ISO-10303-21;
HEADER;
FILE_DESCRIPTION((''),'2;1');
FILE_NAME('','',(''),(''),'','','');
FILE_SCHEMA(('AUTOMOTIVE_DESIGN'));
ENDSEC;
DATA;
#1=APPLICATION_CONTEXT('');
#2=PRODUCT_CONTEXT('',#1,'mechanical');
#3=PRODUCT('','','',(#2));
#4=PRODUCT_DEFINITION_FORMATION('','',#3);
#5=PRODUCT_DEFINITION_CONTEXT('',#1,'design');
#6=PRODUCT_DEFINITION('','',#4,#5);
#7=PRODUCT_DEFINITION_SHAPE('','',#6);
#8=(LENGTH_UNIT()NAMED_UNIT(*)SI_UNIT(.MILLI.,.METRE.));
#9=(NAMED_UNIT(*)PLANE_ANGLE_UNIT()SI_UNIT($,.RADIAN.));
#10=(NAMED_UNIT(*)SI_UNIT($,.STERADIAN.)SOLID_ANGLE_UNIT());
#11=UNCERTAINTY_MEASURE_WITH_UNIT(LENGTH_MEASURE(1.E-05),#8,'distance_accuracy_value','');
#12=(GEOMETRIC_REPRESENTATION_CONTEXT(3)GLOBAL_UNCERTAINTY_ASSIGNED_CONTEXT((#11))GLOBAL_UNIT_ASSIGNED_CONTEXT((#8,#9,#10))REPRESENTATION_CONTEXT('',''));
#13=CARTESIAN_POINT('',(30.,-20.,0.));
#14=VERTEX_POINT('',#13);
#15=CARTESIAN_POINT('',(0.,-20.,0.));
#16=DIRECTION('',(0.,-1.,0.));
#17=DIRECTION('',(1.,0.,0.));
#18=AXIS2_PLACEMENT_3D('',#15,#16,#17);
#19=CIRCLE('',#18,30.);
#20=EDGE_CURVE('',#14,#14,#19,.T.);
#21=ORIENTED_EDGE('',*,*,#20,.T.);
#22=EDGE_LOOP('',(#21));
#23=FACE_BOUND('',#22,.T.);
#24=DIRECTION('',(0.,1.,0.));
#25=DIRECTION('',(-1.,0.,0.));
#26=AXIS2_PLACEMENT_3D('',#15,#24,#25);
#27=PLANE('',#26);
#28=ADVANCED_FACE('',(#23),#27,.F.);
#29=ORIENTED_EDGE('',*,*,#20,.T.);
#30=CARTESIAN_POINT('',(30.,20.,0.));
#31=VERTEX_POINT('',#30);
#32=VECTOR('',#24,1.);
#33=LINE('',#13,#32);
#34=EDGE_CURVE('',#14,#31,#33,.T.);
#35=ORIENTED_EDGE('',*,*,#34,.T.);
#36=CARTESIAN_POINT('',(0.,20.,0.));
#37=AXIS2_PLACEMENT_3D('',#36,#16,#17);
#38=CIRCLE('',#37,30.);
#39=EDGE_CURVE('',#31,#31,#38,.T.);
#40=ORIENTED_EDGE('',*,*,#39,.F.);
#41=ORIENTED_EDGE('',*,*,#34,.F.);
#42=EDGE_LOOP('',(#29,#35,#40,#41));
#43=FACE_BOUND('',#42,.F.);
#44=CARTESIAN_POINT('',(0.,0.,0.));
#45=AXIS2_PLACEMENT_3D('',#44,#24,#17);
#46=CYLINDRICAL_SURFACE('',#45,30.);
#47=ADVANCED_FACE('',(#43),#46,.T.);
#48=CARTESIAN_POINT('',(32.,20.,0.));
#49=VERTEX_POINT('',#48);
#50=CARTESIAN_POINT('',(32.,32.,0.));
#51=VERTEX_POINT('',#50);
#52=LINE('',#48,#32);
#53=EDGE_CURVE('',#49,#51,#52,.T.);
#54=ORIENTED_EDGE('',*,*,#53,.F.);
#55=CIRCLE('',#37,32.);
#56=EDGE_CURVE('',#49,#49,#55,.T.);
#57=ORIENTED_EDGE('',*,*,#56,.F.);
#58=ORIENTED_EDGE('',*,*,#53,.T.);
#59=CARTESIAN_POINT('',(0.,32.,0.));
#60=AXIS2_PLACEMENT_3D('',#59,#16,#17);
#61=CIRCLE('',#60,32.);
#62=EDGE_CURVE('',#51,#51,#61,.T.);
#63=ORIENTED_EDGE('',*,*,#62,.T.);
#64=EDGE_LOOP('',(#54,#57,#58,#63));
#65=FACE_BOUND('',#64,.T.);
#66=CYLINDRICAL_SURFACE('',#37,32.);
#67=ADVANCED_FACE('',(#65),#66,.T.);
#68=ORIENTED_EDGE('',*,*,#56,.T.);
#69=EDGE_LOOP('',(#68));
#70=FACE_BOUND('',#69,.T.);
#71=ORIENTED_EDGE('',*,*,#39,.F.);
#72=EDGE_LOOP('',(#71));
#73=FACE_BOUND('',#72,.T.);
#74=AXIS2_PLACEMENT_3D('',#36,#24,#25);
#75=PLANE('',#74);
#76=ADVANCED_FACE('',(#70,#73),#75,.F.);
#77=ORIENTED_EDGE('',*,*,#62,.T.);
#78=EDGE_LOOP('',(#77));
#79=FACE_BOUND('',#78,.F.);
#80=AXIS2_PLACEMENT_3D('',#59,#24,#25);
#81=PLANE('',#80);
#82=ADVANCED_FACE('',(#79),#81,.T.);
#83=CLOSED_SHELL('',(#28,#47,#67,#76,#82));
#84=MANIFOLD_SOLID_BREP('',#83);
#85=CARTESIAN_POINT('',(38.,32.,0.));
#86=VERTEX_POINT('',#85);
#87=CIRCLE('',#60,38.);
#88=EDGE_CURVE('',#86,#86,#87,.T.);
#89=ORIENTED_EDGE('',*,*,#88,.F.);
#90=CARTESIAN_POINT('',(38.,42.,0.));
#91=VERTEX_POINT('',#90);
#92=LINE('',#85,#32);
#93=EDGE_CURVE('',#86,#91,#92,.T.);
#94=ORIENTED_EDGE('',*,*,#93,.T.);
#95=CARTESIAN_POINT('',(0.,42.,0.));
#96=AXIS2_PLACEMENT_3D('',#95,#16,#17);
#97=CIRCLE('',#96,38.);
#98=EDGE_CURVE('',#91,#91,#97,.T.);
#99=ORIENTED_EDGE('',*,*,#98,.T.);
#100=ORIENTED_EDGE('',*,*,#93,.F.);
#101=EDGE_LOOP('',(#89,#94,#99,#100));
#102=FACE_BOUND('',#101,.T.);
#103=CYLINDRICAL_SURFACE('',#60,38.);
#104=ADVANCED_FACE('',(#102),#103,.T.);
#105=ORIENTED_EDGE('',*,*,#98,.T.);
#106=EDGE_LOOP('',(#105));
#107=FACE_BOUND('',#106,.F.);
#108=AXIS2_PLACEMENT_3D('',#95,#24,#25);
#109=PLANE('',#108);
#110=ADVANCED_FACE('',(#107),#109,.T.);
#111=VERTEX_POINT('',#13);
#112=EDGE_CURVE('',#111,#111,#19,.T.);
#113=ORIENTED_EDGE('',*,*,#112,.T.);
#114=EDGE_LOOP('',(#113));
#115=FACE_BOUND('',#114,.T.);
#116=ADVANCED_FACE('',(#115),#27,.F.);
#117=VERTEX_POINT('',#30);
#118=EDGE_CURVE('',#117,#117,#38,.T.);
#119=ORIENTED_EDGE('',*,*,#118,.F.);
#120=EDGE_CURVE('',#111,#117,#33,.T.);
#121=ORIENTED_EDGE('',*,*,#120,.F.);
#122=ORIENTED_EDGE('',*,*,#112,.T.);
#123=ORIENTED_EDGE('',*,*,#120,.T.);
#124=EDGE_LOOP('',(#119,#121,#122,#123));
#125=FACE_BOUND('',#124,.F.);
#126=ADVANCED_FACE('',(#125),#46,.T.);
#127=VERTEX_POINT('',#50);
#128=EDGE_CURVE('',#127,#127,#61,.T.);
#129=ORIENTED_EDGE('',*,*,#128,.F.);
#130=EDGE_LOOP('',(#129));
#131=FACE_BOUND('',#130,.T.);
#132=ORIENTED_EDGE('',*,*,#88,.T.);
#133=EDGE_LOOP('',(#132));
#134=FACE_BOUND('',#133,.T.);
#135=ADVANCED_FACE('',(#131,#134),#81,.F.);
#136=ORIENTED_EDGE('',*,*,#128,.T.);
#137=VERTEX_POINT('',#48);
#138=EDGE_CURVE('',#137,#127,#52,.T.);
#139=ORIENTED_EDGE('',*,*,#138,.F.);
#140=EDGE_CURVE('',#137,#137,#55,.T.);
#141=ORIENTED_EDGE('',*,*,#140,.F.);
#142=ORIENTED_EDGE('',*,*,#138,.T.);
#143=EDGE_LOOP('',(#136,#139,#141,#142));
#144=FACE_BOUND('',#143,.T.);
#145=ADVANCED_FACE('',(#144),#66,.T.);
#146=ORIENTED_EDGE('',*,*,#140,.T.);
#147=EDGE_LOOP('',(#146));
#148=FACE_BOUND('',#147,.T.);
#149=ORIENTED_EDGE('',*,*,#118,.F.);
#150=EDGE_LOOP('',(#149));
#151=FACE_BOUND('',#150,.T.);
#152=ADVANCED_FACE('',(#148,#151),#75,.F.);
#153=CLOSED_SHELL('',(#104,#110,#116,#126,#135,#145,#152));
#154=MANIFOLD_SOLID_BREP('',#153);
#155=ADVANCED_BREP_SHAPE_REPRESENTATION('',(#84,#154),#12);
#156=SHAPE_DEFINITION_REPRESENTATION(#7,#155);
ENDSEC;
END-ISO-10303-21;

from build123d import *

# Parameters (mm, degrees)
SKETCH_R     = 30
PAD_DEPTH    = 20
SKETCH001_R  = 32
PAD001_DEPTH = 12
SKETCH002_R  = 38
PAD002_DEPTH = 10


with BuildPart() as pad001:
    # Sketch → Pad (new body, symmetric)
    with BuildSketch(Plane.XZ):
        Circle(SKETCH_R)
    extrude(amount=PAD_DEPTH, both=True)

    # Sketch001 → Pad001 (new body)
    with BuildSketch(Plane.XZ.offset(20)):
        Circle(SKETCH001_R)
    extrude(amount=PAD001_DEPTH)


with BuildPart() as part_mirroring:
    # Part__Mirroring: instance of Pad001
    add(pad001.part.mirror(Plane(origin=(0, 0, 0), x_dir=(1, 0, 0), z_dir=(0, 1, 0))))


with BuildPart() as pad002:
    # Pad002 base: copy of Pad001
    add(pad001.part)

    # Sketch002 → Pad002 (new body)
    with BuildSketch(Plane.XZ.offset(32)):
        Circle(SKETCH002_R)
    extrude(amount=PAD002_DEPTH)


with BuildPart() as part_mirroring001:
    # Part__Mirroring001: instance of Pad002
    add(pad002.part.mirror(Plane(origin=(0, 0, 0), x_dir=(1, 0, 0), z_dir=(0, 1, 0))))


solid = Compound([part_mirroring.part, part_mirroring001.part])
